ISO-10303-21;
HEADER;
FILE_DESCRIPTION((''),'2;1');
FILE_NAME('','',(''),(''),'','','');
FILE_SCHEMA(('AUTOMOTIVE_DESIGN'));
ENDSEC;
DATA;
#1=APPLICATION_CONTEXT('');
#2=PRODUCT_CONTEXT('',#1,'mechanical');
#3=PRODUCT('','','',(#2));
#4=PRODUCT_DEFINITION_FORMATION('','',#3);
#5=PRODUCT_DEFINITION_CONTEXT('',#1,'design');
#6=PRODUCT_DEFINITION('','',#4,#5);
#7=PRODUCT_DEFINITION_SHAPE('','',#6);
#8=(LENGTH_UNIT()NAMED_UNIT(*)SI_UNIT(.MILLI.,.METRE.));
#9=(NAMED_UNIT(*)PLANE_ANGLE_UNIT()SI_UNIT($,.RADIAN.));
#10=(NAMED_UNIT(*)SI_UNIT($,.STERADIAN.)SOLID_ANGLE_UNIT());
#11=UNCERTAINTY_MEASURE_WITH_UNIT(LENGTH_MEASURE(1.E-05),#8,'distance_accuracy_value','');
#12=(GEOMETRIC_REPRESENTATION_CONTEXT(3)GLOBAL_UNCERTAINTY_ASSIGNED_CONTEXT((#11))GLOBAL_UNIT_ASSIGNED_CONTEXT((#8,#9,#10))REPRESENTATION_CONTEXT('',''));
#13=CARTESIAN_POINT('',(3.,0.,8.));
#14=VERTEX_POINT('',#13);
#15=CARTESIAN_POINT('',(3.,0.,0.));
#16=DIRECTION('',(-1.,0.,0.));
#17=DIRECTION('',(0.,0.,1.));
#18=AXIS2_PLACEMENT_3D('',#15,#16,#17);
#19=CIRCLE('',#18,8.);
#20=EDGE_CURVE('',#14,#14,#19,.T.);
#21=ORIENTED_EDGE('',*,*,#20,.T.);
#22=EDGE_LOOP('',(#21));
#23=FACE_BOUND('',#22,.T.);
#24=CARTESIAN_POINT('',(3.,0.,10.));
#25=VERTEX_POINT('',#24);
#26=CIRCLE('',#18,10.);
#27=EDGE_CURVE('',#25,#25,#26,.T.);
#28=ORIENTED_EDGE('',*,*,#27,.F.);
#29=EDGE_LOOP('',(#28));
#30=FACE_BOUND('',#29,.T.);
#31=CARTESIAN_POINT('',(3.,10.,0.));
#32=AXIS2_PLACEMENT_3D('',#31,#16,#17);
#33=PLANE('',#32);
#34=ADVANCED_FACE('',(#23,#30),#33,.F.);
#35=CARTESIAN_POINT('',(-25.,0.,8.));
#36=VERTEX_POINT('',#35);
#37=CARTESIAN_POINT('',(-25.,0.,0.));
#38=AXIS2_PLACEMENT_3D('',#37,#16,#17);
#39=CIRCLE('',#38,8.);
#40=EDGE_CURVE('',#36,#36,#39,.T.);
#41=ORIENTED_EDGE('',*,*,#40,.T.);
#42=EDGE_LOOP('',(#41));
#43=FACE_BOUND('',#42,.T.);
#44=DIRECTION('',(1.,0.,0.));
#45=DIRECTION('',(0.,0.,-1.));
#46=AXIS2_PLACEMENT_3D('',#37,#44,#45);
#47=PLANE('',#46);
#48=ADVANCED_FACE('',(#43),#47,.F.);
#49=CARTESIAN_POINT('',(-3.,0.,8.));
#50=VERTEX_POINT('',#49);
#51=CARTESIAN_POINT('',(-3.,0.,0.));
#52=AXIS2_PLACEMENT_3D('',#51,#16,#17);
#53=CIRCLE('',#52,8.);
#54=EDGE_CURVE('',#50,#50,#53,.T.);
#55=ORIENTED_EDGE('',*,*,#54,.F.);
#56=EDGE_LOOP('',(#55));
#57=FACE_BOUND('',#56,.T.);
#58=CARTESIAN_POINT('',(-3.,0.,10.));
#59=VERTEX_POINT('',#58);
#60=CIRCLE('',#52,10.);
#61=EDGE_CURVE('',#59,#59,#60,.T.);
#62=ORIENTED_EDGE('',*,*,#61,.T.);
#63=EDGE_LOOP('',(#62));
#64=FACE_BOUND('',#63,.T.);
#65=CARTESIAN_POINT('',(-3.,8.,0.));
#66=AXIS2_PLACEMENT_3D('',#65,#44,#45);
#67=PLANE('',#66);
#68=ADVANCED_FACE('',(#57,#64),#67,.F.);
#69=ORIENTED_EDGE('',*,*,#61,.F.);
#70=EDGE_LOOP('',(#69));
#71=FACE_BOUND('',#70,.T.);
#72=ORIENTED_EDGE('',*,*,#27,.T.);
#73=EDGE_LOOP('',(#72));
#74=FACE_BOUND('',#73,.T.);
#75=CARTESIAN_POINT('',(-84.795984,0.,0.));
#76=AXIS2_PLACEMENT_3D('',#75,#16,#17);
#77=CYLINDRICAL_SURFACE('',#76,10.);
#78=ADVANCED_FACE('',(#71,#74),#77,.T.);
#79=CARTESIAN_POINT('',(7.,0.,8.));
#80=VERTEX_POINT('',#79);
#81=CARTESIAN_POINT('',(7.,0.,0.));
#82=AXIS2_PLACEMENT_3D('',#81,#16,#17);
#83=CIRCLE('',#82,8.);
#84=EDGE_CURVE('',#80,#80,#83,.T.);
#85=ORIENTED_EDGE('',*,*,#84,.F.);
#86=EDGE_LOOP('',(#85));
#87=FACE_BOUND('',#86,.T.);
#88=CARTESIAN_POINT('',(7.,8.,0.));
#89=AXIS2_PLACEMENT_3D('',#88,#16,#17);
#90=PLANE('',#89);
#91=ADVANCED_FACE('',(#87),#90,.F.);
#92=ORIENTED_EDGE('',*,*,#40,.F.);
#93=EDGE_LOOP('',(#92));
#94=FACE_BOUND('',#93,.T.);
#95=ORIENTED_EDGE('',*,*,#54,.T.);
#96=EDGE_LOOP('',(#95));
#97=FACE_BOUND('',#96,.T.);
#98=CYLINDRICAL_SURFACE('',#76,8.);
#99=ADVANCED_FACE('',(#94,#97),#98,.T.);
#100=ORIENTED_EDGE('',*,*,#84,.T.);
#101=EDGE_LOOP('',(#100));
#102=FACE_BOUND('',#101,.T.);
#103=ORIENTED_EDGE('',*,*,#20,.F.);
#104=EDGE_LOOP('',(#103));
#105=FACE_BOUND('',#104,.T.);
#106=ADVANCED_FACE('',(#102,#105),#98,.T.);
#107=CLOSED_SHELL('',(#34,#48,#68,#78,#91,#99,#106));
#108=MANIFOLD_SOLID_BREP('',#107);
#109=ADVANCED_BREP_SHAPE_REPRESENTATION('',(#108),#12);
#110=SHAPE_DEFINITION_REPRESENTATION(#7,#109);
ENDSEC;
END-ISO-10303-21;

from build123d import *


with BuildPart() as part:
    # 草图1 → 旋转1 (revolve)
    with BuildSketch(Plane.XY, mode=Mode.PRIVATE) as revolve_1_sk:
        Polygon((-25, 0), (-25, 8), (-3, 8), (-3, 10), (3, 10), (3, 8), (7, 8), (7, 0), align=None)
    revolve(revolve_1_sk.sketch.rotate(Axis((-84.795984063, 0, 0), (1, 0, 0)), 90), axis=Axis((-84.795984063, 0, 0), (1, 0, 0)))


solid = part.part
